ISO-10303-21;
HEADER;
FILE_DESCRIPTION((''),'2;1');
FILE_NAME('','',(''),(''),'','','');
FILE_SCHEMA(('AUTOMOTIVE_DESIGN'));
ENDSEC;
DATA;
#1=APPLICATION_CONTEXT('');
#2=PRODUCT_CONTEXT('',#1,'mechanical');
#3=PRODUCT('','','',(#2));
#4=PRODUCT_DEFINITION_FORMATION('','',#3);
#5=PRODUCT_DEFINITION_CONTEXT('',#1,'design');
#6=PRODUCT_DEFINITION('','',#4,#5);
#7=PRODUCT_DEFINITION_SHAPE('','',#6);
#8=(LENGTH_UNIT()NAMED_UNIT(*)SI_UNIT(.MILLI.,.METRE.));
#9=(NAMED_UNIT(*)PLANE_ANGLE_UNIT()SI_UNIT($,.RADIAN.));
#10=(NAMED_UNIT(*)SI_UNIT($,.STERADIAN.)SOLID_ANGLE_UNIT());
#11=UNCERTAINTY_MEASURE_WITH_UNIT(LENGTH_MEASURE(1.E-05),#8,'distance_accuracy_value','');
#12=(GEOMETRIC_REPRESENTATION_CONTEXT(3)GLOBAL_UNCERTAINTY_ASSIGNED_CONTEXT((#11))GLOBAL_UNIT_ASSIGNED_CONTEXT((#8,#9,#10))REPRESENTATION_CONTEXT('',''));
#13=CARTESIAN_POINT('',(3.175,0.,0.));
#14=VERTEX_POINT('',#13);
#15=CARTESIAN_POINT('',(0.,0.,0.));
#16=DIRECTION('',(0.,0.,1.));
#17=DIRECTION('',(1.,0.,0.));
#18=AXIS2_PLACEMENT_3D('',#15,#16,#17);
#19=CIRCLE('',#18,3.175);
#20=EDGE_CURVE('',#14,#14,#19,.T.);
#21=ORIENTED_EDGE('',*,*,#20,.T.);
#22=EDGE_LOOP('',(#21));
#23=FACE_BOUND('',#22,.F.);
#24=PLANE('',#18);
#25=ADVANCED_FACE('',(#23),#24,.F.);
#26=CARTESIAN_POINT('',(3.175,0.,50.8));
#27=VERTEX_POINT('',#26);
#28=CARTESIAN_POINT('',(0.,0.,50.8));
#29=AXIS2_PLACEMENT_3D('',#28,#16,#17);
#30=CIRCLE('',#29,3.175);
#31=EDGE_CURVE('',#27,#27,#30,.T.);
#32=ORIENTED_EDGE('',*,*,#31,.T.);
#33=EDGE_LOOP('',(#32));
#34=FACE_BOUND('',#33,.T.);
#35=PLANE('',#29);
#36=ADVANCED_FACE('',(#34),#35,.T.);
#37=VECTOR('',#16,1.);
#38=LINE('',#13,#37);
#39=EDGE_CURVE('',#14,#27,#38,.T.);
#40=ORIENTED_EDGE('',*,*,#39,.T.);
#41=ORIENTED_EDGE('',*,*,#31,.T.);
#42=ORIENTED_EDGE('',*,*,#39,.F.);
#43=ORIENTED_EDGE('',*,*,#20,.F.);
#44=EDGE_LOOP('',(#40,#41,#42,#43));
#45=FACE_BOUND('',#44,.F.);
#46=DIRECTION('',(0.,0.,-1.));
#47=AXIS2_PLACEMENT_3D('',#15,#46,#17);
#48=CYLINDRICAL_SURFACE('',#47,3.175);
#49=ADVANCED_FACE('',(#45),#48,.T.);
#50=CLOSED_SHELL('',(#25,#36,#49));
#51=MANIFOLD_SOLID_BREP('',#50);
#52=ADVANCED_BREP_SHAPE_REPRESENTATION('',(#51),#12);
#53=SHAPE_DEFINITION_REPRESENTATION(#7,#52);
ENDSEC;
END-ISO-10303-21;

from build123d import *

# Parameters (mm, degrees)
SKETCH1_R           = 3.175
BOSS_EXTRUDE1_DEPTH = 50.8


with BuildPart() as part:
    # Sketch1 → Boss-Extrude1 (new body)
    with BuildSketch(Plane.XY):
        Circle(SKETCH1_R)
    extrude(amount=BOSS_EXTRUDE1_DEPTH)


solid = part.part
